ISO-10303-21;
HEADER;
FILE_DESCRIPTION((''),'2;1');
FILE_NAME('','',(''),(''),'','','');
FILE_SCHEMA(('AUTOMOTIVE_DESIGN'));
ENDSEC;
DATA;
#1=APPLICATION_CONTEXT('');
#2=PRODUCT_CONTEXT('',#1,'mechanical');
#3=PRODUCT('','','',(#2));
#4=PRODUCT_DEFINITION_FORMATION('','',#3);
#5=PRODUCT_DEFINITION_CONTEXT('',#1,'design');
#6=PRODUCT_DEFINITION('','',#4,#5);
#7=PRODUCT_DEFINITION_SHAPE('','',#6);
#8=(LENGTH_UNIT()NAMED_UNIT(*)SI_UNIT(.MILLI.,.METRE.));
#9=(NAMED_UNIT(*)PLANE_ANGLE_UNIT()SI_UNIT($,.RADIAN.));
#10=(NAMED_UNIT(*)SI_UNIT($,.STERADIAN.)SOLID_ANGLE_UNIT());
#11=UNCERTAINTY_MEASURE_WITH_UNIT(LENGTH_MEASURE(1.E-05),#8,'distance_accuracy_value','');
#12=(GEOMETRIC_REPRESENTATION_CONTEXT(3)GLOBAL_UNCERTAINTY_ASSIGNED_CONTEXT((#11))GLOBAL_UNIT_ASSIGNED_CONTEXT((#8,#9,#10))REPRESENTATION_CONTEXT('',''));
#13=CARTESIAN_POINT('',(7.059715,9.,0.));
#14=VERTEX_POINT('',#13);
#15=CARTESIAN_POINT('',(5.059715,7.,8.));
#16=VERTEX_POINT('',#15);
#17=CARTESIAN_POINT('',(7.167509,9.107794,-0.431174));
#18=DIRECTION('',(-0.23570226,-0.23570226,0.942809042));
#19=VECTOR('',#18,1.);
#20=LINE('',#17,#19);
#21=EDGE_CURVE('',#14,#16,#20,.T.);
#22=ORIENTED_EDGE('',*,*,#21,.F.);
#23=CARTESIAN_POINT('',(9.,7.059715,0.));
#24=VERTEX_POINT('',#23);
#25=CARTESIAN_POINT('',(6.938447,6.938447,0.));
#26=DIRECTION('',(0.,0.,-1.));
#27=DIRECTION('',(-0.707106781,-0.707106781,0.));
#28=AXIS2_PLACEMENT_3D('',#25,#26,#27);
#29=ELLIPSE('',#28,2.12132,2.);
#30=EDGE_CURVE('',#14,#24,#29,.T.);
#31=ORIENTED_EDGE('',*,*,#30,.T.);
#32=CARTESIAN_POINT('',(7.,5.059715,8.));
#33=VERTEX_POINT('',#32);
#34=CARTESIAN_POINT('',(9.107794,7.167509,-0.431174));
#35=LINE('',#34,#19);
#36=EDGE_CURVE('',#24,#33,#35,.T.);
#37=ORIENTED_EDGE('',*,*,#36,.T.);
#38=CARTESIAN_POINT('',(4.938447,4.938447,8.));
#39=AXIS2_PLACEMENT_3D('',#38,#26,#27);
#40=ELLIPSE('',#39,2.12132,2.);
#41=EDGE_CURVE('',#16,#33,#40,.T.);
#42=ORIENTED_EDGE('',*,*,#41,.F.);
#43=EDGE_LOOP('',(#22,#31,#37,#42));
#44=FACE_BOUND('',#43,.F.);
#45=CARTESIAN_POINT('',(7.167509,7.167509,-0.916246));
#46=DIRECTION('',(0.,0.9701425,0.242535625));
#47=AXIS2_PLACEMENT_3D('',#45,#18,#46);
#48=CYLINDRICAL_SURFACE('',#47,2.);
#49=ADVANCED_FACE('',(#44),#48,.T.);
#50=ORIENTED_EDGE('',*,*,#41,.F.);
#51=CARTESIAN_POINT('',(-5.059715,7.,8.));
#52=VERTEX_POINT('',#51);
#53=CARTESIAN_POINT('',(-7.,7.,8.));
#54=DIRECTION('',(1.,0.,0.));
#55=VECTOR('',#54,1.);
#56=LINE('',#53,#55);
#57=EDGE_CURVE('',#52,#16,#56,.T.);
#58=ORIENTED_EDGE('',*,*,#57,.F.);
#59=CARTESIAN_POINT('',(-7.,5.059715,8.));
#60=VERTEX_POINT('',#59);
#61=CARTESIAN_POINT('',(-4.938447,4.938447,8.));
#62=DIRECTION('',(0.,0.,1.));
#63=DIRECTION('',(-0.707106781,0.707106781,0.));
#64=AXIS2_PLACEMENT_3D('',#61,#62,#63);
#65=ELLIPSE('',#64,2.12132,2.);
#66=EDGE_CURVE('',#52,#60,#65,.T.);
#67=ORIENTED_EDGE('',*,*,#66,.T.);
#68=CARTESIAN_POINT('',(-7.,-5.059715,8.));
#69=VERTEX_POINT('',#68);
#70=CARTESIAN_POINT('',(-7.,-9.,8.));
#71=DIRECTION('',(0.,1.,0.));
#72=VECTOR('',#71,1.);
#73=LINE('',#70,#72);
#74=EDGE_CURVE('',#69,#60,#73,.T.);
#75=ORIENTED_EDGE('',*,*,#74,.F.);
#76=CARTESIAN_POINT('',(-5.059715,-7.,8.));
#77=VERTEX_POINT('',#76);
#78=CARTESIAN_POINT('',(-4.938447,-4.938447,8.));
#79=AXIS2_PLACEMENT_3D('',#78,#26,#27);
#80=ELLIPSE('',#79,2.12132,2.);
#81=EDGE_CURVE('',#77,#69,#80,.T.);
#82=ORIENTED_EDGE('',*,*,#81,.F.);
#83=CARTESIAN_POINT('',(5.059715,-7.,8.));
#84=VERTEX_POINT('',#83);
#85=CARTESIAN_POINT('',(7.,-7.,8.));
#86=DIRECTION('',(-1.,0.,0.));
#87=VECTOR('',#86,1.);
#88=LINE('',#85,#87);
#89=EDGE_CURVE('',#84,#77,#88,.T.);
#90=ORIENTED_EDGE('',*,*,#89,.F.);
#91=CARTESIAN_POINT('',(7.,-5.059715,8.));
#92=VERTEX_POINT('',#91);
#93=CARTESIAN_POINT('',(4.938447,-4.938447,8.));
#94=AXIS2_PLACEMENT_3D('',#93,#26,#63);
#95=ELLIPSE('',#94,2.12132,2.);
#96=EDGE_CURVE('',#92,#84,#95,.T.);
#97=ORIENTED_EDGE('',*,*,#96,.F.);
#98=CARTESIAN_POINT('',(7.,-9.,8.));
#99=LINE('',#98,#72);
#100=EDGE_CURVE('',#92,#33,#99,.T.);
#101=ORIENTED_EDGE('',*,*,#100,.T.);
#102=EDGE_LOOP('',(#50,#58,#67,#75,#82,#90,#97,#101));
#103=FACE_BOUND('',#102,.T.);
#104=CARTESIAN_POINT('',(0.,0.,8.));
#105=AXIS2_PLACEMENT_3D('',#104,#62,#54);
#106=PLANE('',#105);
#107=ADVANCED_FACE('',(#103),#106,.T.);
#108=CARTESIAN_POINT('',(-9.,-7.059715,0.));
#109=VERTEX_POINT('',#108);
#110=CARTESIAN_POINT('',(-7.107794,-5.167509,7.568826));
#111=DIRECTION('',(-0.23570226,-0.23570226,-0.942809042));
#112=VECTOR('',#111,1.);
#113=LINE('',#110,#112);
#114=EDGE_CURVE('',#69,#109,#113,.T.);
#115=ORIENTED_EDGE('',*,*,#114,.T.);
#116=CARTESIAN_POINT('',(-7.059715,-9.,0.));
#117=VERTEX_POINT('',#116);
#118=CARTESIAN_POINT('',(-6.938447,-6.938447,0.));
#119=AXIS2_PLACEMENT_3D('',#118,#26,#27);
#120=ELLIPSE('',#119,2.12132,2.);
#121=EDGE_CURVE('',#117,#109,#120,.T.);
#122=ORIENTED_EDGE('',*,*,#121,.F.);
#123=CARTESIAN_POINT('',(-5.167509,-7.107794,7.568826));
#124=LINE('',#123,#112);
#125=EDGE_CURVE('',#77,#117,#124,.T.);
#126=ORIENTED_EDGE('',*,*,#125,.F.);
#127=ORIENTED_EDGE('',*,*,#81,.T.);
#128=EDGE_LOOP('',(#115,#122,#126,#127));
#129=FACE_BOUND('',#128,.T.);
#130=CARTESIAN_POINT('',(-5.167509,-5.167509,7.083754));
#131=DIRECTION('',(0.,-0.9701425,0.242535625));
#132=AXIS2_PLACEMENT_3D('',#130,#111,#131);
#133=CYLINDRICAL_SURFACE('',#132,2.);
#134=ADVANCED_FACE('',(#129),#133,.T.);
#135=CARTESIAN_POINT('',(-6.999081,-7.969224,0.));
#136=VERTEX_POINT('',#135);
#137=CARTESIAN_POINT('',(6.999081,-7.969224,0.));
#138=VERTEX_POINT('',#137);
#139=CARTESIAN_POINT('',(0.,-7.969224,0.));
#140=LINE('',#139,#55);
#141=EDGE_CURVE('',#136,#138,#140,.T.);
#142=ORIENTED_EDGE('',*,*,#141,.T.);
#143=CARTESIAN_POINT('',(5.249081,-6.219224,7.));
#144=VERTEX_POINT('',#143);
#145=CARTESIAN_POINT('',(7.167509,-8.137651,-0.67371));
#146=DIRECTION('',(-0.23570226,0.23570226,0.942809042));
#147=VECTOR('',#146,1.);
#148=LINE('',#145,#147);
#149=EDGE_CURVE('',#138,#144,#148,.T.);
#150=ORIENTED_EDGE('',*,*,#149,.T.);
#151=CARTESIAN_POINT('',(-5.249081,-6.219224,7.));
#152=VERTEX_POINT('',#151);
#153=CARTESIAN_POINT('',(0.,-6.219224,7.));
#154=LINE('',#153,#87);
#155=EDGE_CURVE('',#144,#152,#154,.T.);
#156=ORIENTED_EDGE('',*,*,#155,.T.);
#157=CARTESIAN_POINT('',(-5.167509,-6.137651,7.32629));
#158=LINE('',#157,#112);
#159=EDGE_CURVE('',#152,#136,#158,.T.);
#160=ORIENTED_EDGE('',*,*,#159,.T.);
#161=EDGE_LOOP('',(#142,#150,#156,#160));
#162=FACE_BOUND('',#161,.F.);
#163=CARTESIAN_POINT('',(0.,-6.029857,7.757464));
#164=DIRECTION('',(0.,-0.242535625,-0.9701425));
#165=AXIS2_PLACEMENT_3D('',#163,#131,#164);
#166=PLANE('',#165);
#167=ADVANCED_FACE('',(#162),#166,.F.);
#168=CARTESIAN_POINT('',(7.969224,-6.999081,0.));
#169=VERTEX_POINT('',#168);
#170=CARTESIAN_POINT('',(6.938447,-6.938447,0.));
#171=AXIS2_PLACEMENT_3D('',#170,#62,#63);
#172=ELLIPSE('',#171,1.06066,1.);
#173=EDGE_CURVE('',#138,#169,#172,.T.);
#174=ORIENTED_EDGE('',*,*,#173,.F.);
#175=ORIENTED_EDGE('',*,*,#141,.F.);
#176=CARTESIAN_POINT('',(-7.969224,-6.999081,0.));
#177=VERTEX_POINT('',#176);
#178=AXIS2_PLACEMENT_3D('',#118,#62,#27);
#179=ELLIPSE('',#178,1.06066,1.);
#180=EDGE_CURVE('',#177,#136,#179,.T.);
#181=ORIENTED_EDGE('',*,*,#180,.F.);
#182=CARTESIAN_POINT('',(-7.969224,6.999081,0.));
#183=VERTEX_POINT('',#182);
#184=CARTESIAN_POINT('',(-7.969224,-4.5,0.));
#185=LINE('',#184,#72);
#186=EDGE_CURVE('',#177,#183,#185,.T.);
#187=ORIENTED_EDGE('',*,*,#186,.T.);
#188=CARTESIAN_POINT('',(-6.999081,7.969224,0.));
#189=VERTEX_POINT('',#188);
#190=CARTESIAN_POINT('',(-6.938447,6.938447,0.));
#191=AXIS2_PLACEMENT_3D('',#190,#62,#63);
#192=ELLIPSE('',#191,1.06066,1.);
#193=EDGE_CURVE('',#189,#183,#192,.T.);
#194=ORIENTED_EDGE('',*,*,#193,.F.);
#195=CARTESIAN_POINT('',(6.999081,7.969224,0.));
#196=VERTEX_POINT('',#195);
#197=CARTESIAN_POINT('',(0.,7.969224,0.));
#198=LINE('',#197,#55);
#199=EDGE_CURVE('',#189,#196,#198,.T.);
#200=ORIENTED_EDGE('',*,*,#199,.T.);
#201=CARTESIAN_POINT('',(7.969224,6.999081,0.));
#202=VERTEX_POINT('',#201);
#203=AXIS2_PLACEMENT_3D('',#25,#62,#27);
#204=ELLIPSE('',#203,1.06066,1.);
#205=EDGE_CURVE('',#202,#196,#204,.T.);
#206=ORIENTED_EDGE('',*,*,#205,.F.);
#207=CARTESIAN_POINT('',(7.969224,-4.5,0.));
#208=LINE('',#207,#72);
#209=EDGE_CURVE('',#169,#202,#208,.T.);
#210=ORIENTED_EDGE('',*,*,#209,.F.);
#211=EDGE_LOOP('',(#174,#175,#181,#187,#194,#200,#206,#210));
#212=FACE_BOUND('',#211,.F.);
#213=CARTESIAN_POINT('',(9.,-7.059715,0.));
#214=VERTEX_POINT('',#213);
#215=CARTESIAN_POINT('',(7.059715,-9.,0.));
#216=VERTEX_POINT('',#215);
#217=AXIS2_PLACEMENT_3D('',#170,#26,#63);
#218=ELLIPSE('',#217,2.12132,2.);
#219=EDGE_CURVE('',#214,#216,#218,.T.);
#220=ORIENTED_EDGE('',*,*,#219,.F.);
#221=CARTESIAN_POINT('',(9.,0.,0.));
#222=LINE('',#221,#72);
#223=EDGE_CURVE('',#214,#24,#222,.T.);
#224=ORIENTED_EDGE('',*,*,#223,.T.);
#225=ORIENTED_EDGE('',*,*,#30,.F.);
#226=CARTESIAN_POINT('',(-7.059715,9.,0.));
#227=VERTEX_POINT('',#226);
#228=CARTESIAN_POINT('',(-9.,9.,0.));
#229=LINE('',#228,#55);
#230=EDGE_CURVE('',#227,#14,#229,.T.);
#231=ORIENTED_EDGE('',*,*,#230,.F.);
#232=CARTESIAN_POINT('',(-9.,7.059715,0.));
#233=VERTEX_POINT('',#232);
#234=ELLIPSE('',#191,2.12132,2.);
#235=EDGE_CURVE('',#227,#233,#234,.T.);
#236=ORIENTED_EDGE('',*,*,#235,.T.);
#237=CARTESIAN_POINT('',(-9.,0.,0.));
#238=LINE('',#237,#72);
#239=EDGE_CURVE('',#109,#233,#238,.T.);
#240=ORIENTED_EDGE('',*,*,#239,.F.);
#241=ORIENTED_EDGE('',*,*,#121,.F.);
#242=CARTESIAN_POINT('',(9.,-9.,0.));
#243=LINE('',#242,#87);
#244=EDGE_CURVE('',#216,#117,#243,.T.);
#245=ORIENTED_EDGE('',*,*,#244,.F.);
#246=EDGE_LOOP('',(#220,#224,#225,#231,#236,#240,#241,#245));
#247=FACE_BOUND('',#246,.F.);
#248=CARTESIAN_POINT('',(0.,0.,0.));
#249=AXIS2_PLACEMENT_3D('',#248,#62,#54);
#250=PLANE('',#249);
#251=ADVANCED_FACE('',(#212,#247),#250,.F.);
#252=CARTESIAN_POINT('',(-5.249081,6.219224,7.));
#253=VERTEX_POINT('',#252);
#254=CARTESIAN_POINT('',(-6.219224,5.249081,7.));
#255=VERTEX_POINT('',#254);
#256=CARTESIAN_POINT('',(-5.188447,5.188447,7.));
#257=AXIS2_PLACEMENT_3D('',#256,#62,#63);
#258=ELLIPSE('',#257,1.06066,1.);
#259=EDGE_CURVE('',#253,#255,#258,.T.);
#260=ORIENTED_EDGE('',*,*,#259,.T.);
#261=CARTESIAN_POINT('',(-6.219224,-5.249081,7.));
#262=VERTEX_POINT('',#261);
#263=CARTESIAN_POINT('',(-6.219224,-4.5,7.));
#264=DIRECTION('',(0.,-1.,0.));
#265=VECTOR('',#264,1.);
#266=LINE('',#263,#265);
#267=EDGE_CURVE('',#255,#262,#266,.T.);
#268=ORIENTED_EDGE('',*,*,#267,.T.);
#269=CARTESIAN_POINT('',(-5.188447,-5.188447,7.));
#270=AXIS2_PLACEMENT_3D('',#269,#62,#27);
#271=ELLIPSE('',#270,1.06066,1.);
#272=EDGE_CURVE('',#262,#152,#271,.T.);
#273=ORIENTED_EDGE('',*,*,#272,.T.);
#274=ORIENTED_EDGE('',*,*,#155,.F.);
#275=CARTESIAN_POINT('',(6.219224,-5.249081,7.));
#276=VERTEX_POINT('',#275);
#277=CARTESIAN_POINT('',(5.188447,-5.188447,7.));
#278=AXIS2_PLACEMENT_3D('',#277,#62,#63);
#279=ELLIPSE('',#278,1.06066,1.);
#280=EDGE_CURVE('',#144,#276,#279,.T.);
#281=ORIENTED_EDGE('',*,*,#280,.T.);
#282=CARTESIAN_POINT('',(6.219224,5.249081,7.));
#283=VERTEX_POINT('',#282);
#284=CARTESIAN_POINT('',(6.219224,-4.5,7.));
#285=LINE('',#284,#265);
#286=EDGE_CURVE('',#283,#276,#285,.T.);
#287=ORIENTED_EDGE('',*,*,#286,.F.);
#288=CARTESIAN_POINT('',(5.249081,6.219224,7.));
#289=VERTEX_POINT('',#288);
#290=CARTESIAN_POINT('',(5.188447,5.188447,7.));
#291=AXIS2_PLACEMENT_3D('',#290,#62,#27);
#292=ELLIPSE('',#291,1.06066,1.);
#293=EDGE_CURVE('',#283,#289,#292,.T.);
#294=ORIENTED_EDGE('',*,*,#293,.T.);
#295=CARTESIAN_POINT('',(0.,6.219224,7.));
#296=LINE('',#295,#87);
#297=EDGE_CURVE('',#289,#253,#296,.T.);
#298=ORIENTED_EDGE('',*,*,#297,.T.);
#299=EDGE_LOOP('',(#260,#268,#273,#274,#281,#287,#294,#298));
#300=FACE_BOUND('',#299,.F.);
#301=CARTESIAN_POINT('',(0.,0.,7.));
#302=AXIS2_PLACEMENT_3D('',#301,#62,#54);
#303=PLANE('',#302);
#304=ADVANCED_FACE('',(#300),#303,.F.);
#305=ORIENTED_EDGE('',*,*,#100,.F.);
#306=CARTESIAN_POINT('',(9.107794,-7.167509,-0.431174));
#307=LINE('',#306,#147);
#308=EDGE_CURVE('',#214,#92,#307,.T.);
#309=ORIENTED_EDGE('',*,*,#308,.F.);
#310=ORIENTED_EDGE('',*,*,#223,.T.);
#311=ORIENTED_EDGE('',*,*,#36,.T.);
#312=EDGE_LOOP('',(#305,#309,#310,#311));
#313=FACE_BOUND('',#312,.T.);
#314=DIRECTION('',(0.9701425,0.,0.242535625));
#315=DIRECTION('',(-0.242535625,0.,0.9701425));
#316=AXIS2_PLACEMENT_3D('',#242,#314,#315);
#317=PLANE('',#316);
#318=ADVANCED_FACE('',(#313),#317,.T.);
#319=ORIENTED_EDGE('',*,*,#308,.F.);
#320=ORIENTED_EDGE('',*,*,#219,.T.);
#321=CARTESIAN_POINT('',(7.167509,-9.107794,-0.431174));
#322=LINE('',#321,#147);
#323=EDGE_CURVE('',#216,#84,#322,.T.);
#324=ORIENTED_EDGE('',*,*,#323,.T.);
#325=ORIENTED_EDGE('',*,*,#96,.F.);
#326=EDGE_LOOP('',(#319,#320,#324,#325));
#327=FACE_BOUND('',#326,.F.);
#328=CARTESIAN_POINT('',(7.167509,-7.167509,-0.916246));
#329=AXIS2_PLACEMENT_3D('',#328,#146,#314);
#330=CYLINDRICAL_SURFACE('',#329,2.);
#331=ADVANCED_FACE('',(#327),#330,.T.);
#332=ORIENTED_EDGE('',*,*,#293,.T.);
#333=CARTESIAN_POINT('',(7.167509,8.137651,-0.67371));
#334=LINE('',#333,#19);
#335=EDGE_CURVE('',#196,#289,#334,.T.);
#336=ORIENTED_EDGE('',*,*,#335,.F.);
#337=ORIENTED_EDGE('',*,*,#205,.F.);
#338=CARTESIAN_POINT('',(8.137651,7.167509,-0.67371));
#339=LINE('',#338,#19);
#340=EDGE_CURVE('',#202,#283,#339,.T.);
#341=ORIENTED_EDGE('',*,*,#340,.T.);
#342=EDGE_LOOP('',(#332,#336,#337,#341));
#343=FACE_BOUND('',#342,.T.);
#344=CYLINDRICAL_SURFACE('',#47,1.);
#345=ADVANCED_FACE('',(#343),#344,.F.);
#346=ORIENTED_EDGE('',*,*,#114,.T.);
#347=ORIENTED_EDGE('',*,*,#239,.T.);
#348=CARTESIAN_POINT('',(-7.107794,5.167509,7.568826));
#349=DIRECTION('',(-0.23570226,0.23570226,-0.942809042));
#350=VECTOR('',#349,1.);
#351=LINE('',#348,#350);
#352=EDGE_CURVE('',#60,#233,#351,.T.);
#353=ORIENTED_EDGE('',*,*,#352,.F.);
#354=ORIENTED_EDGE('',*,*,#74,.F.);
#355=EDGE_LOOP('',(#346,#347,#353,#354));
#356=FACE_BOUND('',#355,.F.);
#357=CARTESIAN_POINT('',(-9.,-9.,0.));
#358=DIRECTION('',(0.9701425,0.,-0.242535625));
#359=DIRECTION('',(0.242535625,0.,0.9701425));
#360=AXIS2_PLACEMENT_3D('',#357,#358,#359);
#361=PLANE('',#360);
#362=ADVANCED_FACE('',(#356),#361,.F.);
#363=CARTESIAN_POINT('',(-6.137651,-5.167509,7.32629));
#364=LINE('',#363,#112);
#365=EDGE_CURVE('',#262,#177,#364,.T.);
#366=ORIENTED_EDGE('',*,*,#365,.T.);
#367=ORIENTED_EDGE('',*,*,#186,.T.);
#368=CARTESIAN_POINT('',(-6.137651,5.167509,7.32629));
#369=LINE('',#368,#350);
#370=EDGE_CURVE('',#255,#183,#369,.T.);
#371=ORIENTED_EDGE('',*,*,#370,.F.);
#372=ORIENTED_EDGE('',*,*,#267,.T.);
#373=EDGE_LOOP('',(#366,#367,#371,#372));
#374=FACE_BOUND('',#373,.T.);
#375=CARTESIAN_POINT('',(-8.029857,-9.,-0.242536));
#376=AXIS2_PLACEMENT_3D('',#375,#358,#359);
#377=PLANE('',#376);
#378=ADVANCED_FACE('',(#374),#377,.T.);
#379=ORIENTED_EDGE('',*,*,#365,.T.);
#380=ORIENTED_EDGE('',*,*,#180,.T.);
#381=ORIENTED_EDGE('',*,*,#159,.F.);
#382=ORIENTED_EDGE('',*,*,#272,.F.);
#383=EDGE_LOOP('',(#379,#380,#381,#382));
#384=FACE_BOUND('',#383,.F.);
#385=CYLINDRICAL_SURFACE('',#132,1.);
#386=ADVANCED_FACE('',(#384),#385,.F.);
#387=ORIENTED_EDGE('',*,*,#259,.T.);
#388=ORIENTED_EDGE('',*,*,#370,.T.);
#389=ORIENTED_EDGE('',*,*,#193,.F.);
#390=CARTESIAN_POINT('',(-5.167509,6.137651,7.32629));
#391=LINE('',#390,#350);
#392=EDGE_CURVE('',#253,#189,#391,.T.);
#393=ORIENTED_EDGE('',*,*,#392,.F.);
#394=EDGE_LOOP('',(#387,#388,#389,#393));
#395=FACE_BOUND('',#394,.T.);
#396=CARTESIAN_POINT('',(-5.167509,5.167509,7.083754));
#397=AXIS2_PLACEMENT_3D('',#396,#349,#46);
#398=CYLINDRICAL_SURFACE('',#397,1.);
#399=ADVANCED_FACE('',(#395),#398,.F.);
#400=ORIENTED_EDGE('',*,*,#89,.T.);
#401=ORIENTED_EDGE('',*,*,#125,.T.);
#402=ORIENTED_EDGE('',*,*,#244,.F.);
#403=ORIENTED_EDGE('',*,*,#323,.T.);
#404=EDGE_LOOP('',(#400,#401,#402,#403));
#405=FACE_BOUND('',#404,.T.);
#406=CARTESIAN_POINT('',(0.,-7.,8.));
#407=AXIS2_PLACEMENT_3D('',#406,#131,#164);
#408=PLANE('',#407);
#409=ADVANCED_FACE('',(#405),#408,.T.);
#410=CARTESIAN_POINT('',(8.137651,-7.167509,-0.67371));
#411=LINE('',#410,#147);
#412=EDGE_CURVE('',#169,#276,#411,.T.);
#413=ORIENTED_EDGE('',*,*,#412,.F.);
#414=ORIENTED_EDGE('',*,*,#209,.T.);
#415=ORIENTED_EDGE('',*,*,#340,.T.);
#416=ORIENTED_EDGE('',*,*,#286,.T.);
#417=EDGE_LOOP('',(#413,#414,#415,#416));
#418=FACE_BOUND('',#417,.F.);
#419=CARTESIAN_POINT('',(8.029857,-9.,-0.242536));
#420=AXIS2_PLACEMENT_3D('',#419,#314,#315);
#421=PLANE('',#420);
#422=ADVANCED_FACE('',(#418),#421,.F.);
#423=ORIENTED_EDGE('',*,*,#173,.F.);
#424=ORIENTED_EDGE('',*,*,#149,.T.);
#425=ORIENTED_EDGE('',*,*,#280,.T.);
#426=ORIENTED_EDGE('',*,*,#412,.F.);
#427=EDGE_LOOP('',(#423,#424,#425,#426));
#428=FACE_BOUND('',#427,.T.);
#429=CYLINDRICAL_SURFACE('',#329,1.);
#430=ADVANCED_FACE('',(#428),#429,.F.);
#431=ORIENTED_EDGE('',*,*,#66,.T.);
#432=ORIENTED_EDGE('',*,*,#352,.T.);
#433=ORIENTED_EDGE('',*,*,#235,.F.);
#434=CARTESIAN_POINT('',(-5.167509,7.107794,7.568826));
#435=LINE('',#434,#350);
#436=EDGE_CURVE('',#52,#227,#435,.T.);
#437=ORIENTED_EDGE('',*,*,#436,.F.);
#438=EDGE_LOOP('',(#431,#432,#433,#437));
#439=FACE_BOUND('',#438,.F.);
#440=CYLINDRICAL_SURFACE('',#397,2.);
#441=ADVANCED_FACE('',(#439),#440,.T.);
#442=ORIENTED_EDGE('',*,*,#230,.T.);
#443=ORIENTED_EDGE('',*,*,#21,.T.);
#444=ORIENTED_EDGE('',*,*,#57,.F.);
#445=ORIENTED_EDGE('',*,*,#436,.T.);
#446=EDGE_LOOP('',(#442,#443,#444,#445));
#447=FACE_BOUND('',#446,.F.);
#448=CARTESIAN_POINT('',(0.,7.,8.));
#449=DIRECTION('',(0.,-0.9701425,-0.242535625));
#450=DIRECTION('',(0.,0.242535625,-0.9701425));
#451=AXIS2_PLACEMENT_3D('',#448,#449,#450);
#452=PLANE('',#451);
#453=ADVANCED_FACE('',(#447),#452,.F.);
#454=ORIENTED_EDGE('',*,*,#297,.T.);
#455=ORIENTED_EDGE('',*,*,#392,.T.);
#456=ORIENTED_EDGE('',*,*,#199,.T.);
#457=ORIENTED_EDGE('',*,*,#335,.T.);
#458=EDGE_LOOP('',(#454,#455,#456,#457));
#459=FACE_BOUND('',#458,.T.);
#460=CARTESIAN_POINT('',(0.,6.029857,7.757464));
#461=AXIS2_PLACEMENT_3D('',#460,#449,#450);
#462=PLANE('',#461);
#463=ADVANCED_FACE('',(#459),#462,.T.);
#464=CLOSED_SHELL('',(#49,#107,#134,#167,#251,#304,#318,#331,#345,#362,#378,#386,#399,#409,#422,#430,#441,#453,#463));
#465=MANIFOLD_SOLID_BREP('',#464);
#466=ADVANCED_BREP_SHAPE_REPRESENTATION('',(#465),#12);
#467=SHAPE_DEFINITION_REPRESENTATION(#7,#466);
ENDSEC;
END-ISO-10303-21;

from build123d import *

# Parameters (mm, degrees)
SKETCH_W             = 18
SKETCH_H             = 18
PAD_DEPTH            = 8
POCKET_DEPTH         = 18.001
POCKET001_DEPTH      = 9.001
POCKET001_DEPTH_BACK = 9.001
FILLET_R             = 2
THICKNESS_T          = -1


with BuildPart() as part:
    # Sketch → Pad (new body)
    with BuildSketch(Plane.XY):
        Rectangle(SKETCH_W, SKETCH_H)
    extrude(amount=PAD_DEPTH)

    # Sketch001 (on Face1 of Pad) → Pocket (cut, through all)
    with BuildSketch(Plane.XZ.offset(9)):
        Polygon((-9, 8), (-9, 0), (-7, 8), align=None)
        Polygon((9, 8), (9, 0), (7, 8), align=None)
    extrude(amount=-POCKET_DEPTH, mode=Mode.SUBTRACT)

    # Sketch002 → Pocket001 (cut, two sides)
    with BuildSketch(Plane.YZ) as pocket001_sk:
        Polygon((-9, 8), (-7, 8), (-9, 0), align=None)
        Polygon((9, 8), (7, 8), (9, 0), align=None)
    extrude(amount=-POCKET001_DEPTH, mode=Mode.SUBTRACT)
    extrude(pocket001_sk.sketch, amount=POCKET001_DEPTH_BACK, mode=Mode.SUBTRACT)

    # Fillet
    fillet_edges = [part.edges().sort_by_distance(p)[0] for p in [
        (-8, 8, 4),
        (-8, -8, 4),
        (8, -8, 4),
        (8, 8, 4),
    ]]
    fillet(fillet_edges, radius=FILLET_R)

    # Thickness
    thickness_openings = [part.faces().sort_by_distance(p)[0] for p in [
        (0, 0, 0),
    ]]
    offset(amount=THICKNESS_T, openings=thickness_openings, kind=Kind.INTERSECTION)


solid = part.part
